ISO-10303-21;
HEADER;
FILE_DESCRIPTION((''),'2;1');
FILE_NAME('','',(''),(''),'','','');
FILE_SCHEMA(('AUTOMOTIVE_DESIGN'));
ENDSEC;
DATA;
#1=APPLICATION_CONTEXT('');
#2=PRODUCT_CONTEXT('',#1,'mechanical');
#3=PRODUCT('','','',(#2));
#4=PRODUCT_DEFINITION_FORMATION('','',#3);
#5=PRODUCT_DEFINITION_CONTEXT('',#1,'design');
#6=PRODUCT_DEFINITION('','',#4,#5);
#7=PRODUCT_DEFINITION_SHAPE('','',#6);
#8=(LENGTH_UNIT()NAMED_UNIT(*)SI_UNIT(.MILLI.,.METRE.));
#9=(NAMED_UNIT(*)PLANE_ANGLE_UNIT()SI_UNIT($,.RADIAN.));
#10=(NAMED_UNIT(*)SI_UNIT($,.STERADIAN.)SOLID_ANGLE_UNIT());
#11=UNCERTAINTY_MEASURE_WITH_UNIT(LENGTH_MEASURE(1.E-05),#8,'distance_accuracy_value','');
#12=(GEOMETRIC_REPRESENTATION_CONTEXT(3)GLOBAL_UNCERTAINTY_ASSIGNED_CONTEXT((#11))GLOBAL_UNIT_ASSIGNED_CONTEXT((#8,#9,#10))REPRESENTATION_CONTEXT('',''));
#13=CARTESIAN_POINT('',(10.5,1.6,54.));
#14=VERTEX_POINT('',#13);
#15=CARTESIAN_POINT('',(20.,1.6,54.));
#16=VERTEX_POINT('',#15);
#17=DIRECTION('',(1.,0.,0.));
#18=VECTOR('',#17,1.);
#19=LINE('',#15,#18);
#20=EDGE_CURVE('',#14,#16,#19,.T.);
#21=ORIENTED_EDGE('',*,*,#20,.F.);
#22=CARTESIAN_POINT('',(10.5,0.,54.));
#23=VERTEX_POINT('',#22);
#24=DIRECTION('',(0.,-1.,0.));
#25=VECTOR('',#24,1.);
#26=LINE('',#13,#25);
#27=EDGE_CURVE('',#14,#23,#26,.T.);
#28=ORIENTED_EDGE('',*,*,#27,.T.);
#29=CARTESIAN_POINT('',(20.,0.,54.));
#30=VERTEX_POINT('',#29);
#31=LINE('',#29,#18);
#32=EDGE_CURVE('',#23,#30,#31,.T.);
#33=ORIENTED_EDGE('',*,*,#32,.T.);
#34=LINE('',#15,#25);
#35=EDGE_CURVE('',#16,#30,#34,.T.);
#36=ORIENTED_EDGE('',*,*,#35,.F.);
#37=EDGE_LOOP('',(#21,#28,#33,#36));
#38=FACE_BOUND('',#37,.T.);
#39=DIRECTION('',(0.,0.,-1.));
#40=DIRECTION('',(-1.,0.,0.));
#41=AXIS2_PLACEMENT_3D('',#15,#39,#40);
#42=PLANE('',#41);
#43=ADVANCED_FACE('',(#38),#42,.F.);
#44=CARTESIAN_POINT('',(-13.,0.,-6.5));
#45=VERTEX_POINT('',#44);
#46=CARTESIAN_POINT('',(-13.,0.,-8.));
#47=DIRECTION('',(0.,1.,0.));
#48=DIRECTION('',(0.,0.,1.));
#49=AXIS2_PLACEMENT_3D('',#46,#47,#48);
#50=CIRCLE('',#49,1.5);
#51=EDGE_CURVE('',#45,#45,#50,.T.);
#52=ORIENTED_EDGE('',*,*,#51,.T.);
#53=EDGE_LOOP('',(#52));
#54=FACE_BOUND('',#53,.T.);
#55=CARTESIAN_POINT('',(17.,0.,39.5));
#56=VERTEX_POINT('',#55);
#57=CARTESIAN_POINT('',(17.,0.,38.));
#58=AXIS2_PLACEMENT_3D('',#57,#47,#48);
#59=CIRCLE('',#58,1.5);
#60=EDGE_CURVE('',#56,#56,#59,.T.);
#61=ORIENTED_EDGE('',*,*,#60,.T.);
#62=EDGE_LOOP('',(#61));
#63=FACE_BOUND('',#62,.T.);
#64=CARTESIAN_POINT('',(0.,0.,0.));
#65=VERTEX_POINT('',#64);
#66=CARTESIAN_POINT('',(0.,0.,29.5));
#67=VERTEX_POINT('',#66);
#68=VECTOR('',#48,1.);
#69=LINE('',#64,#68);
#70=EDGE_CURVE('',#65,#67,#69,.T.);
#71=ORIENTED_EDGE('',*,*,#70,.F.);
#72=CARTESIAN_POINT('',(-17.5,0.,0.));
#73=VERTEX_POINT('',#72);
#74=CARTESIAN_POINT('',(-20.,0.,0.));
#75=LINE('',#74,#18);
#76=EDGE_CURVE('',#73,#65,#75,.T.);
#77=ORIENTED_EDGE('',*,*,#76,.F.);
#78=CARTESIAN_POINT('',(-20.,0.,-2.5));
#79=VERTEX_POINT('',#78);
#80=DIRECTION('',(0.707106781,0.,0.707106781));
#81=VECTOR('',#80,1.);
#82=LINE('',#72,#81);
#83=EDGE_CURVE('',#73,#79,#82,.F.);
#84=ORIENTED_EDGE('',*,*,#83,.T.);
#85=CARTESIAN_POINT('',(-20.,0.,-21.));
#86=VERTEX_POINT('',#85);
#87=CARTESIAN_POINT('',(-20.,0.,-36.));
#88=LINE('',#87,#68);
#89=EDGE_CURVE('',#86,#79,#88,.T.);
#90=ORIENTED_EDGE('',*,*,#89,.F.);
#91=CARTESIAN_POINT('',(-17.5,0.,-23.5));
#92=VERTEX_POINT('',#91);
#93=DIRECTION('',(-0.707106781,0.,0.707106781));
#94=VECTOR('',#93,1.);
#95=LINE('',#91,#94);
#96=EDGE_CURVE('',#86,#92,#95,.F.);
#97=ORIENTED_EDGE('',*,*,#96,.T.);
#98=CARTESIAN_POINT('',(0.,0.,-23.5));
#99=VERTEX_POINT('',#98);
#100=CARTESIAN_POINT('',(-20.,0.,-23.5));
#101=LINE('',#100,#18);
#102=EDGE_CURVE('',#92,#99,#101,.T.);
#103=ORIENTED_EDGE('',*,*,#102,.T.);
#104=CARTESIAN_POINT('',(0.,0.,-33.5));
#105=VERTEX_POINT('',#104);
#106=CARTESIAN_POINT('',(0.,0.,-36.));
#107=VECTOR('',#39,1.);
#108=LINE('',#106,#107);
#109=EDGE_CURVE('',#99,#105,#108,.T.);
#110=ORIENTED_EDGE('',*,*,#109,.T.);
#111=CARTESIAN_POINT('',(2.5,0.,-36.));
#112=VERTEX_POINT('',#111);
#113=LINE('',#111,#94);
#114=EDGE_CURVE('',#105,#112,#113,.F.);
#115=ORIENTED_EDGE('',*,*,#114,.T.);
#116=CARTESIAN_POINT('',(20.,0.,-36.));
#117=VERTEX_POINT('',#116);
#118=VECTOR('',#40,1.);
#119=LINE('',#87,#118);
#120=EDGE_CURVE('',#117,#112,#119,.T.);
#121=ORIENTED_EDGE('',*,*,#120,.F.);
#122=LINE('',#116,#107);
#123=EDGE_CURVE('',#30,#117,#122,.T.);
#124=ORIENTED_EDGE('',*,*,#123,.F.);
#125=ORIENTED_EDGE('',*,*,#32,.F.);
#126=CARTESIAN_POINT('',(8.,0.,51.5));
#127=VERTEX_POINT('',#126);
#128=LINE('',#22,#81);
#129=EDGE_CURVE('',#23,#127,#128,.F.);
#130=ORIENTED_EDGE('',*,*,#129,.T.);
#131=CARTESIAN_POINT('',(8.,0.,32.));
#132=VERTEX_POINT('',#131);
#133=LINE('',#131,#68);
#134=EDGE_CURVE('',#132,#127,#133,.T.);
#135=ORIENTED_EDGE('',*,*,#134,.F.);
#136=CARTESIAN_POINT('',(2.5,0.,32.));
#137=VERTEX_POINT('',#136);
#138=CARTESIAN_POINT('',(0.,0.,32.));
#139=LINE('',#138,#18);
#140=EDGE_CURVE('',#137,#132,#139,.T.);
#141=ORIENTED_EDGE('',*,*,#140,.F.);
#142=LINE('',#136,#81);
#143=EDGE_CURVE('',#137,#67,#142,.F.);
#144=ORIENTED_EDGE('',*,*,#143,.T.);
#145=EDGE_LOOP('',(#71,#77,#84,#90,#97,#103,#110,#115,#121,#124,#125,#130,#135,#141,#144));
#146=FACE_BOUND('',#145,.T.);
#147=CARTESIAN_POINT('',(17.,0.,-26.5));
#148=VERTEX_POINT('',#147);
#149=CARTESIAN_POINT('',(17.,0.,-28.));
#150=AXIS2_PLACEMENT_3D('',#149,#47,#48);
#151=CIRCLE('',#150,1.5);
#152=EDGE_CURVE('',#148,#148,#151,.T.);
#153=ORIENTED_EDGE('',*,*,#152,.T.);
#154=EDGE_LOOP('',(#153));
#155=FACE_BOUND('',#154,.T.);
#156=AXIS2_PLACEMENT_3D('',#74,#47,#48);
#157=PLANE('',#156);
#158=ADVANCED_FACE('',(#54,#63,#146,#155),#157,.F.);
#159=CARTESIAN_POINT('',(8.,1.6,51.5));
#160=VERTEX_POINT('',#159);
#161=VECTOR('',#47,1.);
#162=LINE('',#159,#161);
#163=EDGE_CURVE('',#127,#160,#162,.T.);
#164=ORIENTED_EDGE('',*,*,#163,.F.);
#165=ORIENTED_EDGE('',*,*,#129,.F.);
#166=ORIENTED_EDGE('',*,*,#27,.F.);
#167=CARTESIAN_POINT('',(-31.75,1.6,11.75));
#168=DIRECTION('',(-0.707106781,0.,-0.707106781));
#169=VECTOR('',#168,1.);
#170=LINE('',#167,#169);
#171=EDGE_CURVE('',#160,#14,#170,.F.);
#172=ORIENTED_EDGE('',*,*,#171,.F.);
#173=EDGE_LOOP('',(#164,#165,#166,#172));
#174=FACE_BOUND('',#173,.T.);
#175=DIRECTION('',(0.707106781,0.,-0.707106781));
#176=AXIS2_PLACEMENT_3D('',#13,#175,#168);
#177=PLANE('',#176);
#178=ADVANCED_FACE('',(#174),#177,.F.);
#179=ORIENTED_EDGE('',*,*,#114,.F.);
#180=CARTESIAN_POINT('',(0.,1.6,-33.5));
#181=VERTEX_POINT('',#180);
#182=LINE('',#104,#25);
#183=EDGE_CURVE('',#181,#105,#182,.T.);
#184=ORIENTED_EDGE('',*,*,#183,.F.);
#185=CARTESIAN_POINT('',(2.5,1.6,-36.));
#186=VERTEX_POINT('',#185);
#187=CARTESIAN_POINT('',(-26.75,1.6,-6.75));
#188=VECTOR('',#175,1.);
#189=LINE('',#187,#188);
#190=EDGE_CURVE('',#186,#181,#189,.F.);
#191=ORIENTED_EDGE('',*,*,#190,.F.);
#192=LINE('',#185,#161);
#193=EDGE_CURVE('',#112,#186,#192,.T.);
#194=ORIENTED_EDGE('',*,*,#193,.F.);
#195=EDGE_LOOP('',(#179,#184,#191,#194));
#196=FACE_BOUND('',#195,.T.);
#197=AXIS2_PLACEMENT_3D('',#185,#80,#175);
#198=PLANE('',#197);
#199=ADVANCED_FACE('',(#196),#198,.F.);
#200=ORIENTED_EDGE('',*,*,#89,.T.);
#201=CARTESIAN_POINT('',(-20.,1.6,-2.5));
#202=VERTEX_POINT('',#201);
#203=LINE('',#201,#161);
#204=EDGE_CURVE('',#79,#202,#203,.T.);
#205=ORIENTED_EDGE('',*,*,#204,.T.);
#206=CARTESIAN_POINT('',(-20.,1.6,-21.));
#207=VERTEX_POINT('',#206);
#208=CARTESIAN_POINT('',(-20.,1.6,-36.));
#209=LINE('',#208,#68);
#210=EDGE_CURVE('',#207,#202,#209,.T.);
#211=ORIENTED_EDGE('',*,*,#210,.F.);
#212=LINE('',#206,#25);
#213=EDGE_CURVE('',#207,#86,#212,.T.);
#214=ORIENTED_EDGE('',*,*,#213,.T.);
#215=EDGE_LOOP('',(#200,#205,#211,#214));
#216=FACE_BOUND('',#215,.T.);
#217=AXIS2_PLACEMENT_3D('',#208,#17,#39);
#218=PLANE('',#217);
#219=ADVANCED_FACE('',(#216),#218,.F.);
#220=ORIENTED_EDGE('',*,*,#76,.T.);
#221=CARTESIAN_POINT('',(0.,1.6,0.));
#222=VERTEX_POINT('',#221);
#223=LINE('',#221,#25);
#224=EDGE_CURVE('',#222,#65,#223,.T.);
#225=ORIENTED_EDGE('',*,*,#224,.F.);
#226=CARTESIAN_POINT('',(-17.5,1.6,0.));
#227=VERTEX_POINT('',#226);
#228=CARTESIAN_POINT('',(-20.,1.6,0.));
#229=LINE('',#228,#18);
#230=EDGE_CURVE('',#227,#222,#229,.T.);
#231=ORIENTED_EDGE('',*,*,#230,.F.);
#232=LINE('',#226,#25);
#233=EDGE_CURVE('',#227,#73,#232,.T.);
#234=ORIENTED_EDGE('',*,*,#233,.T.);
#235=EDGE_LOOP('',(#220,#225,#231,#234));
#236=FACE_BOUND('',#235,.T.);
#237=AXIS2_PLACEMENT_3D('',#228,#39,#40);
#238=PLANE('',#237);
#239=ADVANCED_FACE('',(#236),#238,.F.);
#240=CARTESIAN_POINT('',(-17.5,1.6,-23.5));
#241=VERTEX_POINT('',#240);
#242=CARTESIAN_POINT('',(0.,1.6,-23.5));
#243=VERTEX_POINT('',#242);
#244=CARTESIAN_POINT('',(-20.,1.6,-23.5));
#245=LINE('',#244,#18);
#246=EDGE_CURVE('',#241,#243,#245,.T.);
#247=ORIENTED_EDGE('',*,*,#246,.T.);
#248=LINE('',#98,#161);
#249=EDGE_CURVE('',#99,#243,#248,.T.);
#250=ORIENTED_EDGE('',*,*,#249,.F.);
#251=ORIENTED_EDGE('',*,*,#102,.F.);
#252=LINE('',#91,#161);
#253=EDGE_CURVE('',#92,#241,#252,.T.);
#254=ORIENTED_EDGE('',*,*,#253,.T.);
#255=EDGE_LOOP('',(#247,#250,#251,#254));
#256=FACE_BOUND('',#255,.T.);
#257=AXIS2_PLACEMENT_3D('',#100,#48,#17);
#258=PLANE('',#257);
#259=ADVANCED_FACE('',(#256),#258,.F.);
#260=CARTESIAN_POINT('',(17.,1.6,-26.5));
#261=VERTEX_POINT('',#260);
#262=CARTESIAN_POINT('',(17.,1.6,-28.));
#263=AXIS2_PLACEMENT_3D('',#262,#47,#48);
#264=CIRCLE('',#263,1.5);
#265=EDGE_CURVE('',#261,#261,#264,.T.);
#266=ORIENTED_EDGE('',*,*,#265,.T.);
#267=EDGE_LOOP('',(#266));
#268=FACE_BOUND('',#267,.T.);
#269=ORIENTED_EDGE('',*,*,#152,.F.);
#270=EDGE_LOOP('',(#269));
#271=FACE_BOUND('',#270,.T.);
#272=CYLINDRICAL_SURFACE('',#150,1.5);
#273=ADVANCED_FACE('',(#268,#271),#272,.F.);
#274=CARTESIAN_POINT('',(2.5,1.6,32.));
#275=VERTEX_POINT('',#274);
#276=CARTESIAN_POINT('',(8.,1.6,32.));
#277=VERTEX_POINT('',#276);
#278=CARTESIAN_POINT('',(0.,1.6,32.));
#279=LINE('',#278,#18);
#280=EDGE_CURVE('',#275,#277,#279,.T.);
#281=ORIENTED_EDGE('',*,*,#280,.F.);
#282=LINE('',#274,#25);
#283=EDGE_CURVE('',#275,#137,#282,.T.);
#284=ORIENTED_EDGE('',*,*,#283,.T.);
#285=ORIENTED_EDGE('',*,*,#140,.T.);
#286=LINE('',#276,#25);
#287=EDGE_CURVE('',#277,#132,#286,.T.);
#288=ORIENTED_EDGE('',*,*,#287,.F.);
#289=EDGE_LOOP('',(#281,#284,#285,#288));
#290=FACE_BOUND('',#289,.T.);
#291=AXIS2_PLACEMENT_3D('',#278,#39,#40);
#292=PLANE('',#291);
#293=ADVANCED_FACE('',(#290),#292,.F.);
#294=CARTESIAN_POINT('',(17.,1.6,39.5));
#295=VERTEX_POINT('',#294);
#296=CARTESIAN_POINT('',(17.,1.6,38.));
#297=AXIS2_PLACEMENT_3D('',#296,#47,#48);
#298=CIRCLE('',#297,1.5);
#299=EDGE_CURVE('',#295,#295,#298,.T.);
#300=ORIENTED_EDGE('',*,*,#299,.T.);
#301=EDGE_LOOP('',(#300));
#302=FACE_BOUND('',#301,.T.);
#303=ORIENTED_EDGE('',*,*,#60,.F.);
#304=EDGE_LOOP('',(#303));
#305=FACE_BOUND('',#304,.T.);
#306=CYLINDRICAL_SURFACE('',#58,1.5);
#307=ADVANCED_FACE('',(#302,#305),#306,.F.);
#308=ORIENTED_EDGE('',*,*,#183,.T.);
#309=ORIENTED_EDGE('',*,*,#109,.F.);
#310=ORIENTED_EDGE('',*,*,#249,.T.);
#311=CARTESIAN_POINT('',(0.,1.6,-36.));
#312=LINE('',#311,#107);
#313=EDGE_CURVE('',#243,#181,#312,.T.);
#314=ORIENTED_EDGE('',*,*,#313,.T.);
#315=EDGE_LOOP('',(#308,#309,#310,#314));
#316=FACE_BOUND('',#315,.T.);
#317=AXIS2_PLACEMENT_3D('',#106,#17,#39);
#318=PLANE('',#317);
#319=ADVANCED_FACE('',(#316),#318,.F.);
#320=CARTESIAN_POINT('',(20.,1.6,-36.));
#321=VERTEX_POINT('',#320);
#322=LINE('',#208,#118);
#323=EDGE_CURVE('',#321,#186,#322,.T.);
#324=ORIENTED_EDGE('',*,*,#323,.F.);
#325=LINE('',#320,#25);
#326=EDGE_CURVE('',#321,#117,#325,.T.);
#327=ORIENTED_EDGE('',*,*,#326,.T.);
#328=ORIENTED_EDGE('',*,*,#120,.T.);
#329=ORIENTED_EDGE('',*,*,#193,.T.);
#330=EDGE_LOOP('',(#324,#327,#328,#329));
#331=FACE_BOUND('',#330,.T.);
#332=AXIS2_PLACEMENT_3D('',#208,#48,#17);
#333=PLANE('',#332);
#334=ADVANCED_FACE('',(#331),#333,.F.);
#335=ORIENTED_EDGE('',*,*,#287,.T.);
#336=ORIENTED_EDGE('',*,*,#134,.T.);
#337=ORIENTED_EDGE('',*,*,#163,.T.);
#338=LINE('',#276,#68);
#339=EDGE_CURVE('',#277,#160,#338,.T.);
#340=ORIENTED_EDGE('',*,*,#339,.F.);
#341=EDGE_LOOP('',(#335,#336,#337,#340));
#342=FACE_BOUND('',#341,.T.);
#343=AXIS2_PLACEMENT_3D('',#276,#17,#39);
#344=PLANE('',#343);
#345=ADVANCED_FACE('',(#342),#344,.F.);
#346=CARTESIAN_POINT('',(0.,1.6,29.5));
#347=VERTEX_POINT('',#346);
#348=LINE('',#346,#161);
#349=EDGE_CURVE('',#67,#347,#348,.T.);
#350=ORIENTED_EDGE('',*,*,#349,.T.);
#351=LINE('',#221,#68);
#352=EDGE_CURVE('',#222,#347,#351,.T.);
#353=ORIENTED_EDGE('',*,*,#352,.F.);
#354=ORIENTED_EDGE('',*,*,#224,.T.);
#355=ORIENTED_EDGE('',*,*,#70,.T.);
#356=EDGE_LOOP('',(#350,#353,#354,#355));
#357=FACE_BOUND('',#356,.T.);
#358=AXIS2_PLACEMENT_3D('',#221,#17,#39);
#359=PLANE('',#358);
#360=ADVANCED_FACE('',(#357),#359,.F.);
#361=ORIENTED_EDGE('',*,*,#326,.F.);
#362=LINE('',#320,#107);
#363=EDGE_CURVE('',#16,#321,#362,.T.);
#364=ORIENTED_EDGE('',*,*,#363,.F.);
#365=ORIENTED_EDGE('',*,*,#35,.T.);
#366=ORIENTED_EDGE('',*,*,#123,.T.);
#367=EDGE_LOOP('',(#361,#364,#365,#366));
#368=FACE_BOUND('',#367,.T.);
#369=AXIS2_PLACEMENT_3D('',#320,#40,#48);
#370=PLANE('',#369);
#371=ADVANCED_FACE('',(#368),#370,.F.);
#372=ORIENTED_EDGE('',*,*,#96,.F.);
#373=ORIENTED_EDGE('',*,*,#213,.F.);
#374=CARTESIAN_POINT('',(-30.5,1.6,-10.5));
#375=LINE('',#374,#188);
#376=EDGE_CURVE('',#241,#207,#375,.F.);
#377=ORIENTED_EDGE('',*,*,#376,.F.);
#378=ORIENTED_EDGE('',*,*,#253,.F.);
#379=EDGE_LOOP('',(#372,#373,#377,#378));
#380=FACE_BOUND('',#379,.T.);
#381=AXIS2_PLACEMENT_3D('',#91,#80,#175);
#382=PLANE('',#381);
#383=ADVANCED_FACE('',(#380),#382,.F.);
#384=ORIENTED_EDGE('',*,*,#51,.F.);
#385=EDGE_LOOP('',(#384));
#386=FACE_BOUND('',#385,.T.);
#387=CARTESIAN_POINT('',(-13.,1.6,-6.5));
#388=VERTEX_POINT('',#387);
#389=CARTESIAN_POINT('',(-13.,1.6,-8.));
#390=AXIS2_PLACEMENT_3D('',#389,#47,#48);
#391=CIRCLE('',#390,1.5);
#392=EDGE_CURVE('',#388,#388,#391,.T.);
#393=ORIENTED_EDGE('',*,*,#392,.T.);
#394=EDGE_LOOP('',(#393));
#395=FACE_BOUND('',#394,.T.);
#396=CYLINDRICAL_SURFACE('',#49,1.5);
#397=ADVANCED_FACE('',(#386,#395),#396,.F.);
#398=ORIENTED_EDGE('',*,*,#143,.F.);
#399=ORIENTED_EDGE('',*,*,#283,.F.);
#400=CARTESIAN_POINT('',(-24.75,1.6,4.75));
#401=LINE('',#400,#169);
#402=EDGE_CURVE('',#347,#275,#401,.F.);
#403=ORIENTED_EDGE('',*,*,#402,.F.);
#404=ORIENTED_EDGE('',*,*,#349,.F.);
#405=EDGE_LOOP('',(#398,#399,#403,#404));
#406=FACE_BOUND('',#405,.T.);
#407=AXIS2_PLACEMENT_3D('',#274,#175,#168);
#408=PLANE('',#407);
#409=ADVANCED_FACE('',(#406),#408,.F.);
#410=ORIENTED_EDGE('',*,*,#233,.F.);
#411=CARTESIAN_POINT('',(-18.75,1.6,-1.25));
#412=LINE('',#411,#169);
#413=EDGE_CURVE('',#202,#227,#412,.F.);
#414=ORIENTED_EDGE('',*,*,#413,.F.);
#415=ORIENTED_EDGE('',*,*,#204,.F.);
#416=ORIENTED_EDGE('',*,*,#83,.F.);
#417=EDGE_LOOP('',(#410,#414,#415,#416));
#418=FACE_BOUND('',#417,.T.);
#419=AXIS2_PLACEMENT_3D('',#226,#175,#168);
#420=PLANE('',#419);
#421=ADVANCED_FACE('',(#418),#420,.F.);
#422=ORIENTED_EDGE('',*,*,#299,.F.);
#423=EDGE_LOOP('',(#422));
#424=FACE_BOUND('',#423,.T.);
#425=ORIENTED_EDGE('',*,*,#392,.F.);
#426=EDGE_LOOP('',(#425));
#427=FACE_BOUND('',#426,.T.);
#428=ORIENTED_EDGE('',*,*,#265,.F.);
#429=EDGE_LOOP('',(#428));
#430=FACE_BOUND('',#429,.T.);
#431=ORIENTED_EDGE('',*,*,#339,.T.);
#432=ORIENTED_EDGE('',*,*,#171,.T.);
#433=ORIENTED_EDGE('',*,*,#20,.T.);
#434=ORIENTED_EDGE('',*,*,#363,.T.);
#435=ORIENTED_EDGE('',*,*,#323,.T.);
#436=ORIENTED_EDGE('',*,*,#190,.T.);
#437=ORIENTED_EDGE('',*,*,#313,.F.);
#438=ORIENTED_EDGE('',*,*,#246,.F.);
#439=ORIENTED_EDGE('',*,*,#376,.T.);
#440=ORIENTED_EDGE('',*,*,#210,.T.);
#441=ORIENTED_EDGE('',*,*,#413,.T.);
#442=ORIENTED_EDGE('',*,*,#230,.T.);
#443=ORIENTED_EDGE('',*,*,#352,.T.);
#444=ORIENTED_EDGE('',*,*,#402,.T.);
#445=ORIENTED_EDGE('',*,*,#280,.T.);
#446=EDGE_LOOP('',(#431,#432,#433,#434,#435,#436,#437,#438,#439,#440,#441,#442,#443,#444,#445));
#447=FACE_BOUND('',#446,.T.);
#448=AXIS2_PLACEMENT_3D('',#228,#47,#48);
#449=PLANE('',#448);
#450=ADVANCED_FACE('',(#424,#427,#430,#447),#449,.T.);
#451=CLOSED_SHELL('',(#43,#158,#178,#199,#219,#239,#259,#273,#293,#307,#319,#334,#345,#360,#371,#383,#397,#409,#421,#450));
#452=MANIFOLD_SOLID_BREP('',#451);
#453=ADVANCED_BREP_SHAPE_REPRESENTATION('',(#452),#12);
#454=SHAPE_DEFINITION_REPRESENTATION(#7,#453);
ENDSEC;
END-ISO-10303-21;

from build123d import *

# Parameters (mm, degrees)
EXTRUDE1_DEPTH     = 1.6
SKETCH2_R          = 1.5
SKETCH2_W          = 20
SKETCH2_H          = 12.5
CUT_EXTRUDE1_DEPTH = 1.6
CHAMFER1_SIZE      = 2.5


with BuildPart() as part:
    # Sketch1 → Extrude1 (new body)
    with BuildSketch(Plane(origin=(0, 0, 0), x_dir=(1, 0, 0), z_dir=(0, 1, 0))):
        Polygon((0, -32), (8, -32), (8, -54), (20, -54), (20, 36), (-20, 36), (-20, 0), (0, 0), align=None)
    extrude(amount=EXTRUDE1_DEPTH)

    # Sketch2 → Cut-Extrude1 (cut)
    with BuildSketch(Plane(origin=(0, 1.6, 0), x_dir=(1, 0, 0), z_dir=(0, 1, 0))):
        with Locations(Location((17, 28, 0), (0, 0, 270))):  # turned: the seam where the file's is
            Circle(SKETCH2_R)
        with Locations(Location((-13, 8, 0), (0, 0, 270))):  # turned: the seam where the file's is
            Circle(SKETCH2_R)
        with Locations(Location((17, -38, 0), (0, 0, 270))):  # turned: the seam where the file's is
            Circle(SKETCH2_R)
        with Locations((-10, 29.75)):
            Rectangle(SKETCH2_W, SKETCH2_H)
    extrude(amount=-CUT_EXTRUDE1_DEPTH, mode=Mode.SUBTRACT)

    # Chamfer1
    chamfer1_edges = [part.edges().sort_by_distance(p)[0] for p in [
        (8, 0.8, 54),
        (0, 0.8, 32),
        (-20, 0.8, 0),
        (-20, 0.8, -23.5),
        (0, 0.8, -36),
    ]]
    chamfer(chamfer1_edges, length=CHAMFER1_SIZE)


solid = part.part
